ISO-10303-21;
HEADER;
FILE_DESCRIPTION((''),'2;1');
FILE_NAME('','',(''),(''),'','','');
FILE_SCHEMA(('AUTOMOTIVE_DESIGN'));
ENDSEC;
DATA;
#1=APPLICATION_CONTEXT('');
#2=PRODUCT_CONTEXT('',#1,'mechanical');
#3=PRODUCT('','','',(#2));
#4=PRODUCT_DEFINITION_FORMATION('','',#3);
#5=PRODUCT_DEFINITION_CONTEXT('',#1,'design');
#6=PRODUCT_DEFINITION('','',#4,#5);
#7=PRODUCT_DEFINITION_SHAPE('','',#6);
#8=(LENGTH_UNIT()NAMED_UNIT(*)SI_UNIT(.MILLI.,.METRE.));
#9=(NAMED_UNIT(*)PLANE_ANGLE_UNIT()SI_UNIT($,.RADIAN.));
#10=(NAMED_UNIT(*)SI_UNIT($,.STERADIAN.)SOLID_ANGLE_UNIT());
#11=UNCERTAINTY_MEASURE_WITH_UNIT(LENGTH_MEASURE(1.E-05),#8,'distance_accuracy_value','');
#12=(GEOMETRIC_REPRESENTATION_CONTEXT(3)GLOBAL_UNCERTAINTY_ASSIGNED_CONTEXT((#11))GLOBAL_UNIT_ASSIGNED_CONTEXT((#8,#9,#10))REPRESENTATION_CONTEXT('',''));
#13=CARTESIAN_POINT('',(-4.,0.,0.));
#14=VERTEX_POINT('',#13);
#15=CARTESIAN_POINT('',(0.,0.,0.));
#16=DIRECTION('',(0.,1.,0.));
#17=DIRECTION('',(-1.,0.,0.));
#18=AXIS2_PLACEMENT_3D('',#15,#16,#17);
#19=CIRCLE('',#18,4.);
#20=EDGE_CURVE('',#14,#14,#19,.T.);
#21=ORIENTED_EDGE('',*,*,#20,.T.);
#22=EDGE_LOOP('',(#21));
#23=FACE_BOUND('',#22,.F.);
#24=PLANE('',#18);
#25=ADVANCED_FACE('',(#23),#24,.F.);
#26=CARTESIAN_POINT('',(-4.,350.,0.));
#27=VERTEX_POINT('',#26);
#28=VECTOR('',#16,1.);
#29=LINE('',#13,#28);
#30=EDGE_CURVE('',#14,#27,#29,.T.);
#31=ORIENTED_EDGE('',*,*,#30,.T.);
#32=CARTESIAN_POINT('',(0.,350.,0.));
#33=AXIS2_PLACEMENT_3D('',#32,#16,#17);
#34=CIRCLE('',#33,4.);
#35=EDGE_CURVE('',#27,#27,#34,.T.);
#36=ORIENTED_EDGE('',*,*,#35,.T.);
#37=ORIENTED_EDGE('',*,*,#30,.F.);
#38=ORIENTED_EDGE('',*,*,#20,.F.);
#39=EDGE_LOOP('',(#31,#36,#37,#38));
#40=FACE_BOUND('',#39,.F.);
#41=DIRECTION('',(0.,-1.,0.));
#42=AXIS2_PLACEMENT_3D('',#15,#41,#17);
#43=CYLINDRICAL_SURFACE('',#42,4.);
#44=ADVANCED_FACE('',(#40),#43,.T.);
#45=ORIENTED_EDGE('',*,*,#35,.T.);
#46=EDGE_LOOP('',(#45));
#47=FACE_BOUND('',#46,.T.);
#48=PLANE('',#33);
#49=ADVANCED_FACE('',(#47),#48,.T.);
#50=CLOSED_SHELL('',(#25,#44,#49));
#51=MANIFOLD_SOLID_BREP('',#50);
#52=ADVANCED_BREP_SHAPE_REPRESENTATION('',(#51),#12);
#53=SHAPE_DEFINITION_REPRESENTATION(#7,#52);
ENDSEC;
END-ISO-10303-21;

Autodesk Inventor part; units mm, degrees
ref_plane "YZ Plane" through (0, 0, 0) normal (1, 0, 0) x (0, 1, 0)
ref_plane "XZ Plane" through (0, 0, 0) normal (0, 1, 0) x (-1, 0, 0)
ref_plane "XY Plane" through (0, 0, 0) normal (0, 0, 1) x (1, 0, 0)
sketch "Sketch1" plane through (0, 0, 0) normal (0, 1, 0) x (-1, 0, 0)
  circle A0 centre (0, 0) radius 4
  dimension "d0" = 8
extrude "Extrusion1" add sketch "Sketch1" along normal blind 350
thread "Thread1" size "TR8x1.5" class "7e" standard "ISO Metric Trapezoidal Threads" full length
properties part number "TR8x1.25 x 450 mm"
